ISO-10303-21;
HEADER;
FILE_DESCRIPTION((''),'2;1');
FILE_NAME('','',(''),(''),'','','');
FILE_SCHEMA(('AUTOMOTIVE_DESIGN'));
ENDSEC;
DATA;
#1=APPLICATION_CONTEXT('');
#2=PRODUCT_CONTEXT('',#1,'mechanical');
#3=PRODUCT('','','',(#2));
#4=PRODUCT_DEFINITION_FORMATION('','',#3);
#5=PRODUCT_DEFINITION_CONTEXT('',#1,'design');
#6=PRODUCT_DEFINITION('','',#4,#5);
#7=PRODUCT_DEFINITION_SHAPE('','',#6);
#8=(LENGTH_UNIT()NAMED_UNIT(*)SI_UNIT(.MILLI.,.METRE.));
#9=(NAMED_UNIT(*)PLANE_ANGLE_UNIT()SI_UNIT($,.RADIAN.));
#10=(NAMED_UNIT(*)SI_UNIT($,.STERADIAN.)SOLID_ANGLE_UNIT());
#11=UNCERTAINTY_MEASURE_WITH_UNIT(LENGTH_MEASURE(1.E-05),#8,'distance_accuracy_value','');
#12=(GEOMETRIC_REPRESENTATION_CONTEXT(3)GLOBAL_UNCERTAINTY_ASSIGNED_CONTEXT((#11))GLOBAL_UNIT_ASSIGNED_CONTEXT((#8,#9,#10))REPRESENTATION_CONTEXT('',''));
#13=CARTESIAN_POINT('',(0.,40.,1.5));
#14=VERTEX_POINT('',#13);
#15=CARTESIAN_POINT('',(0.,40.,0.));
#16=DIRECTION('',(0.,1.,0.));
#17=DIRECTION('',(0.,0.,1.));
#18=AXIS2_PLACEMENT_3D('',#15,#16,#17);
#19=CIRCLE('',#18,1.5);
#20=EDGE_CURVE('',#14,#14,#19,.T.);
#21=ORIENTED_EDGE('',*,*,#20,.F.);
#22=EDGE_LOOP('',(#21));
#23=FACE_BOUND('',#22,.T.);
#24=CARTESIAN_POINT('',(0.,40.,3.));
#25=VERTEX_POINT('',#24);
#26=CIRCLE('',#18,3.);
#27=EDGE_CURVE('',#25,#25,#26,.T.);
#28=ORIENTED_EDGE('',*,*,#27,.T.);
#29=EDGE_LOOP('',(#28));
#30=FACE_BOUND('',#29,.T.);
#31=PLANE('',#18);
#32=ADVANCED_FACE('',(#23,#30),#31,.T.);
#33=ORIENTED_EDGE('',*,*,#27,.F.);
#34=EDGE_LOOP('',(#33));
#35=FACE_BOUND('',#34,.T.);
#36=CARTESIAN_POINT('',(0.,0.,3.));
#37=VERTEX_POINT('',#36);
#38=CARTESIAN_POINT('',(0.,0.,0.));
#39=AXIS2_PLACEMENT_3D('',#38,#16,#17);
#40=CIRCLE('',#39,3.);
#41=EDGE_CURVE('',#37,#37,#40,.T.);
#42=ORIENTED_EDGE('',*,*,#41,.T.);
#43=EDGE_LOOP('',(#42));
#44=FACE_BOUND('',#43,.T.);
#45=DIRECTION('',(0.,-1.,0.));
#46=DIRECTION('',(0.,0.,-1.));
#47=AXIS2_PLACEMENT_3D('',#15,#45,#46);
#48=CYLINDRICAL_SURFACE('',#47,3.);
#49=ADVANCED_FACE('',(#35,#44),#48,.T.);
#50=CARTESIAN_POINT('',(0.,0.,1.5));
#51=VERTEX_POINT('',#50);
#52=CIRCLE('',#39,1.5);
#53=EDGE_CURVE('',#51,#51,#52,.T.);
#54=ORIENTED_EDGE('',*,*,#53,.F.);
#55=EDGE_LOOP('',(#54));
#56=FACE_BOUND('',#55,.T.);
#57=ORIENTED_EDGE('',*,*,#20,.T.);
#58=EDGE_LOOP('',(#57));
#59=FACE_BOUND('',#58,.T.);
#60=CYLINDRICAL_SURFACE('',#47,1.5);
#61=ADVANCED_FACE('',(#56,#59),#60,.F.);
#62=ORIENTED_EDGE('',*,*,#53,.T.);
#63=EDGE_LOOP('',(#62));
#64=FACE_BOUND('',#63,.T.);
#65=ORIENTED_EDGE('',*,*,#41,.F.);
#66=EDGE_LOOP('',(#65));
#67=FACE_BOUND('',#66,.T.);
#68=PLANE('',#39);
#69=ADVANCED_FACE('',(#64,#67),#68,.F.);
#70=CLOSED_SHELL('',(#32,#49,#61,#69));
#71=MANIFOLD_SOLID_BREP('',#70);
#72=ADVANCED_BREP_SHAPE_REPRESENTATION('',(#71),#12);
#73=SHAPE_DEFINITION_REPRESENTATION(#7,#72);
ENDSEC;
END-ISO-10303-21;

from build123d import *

# Parameters (mm, degrees)
SKETCH1_R           = 3
SKETCH1_R_2         = 1.5
BOSS_EXTRUDE1_DEPTH = 40


with BuildPart() as part:
    # Sketch1 → Boss-Extrude1 (new body)
    with BuildSketch(Plane(origin=(0, 0, 0), x_dir=(1, 0, 0), z_dir=(0, 1, 0))):
        with Locations(Location((0, 0, 0), (0, 0, 270))):
            Circle(SKETCH1_R)
        with Locations(Location((0, 0, 0), (0, 0, 270))):
            Circle(SKETCH1_R_2, mode=Mode.SUBTRACT)
    extrude(amount=BOSS_EXTRUDE1_DEPTH)


solid = part.part
